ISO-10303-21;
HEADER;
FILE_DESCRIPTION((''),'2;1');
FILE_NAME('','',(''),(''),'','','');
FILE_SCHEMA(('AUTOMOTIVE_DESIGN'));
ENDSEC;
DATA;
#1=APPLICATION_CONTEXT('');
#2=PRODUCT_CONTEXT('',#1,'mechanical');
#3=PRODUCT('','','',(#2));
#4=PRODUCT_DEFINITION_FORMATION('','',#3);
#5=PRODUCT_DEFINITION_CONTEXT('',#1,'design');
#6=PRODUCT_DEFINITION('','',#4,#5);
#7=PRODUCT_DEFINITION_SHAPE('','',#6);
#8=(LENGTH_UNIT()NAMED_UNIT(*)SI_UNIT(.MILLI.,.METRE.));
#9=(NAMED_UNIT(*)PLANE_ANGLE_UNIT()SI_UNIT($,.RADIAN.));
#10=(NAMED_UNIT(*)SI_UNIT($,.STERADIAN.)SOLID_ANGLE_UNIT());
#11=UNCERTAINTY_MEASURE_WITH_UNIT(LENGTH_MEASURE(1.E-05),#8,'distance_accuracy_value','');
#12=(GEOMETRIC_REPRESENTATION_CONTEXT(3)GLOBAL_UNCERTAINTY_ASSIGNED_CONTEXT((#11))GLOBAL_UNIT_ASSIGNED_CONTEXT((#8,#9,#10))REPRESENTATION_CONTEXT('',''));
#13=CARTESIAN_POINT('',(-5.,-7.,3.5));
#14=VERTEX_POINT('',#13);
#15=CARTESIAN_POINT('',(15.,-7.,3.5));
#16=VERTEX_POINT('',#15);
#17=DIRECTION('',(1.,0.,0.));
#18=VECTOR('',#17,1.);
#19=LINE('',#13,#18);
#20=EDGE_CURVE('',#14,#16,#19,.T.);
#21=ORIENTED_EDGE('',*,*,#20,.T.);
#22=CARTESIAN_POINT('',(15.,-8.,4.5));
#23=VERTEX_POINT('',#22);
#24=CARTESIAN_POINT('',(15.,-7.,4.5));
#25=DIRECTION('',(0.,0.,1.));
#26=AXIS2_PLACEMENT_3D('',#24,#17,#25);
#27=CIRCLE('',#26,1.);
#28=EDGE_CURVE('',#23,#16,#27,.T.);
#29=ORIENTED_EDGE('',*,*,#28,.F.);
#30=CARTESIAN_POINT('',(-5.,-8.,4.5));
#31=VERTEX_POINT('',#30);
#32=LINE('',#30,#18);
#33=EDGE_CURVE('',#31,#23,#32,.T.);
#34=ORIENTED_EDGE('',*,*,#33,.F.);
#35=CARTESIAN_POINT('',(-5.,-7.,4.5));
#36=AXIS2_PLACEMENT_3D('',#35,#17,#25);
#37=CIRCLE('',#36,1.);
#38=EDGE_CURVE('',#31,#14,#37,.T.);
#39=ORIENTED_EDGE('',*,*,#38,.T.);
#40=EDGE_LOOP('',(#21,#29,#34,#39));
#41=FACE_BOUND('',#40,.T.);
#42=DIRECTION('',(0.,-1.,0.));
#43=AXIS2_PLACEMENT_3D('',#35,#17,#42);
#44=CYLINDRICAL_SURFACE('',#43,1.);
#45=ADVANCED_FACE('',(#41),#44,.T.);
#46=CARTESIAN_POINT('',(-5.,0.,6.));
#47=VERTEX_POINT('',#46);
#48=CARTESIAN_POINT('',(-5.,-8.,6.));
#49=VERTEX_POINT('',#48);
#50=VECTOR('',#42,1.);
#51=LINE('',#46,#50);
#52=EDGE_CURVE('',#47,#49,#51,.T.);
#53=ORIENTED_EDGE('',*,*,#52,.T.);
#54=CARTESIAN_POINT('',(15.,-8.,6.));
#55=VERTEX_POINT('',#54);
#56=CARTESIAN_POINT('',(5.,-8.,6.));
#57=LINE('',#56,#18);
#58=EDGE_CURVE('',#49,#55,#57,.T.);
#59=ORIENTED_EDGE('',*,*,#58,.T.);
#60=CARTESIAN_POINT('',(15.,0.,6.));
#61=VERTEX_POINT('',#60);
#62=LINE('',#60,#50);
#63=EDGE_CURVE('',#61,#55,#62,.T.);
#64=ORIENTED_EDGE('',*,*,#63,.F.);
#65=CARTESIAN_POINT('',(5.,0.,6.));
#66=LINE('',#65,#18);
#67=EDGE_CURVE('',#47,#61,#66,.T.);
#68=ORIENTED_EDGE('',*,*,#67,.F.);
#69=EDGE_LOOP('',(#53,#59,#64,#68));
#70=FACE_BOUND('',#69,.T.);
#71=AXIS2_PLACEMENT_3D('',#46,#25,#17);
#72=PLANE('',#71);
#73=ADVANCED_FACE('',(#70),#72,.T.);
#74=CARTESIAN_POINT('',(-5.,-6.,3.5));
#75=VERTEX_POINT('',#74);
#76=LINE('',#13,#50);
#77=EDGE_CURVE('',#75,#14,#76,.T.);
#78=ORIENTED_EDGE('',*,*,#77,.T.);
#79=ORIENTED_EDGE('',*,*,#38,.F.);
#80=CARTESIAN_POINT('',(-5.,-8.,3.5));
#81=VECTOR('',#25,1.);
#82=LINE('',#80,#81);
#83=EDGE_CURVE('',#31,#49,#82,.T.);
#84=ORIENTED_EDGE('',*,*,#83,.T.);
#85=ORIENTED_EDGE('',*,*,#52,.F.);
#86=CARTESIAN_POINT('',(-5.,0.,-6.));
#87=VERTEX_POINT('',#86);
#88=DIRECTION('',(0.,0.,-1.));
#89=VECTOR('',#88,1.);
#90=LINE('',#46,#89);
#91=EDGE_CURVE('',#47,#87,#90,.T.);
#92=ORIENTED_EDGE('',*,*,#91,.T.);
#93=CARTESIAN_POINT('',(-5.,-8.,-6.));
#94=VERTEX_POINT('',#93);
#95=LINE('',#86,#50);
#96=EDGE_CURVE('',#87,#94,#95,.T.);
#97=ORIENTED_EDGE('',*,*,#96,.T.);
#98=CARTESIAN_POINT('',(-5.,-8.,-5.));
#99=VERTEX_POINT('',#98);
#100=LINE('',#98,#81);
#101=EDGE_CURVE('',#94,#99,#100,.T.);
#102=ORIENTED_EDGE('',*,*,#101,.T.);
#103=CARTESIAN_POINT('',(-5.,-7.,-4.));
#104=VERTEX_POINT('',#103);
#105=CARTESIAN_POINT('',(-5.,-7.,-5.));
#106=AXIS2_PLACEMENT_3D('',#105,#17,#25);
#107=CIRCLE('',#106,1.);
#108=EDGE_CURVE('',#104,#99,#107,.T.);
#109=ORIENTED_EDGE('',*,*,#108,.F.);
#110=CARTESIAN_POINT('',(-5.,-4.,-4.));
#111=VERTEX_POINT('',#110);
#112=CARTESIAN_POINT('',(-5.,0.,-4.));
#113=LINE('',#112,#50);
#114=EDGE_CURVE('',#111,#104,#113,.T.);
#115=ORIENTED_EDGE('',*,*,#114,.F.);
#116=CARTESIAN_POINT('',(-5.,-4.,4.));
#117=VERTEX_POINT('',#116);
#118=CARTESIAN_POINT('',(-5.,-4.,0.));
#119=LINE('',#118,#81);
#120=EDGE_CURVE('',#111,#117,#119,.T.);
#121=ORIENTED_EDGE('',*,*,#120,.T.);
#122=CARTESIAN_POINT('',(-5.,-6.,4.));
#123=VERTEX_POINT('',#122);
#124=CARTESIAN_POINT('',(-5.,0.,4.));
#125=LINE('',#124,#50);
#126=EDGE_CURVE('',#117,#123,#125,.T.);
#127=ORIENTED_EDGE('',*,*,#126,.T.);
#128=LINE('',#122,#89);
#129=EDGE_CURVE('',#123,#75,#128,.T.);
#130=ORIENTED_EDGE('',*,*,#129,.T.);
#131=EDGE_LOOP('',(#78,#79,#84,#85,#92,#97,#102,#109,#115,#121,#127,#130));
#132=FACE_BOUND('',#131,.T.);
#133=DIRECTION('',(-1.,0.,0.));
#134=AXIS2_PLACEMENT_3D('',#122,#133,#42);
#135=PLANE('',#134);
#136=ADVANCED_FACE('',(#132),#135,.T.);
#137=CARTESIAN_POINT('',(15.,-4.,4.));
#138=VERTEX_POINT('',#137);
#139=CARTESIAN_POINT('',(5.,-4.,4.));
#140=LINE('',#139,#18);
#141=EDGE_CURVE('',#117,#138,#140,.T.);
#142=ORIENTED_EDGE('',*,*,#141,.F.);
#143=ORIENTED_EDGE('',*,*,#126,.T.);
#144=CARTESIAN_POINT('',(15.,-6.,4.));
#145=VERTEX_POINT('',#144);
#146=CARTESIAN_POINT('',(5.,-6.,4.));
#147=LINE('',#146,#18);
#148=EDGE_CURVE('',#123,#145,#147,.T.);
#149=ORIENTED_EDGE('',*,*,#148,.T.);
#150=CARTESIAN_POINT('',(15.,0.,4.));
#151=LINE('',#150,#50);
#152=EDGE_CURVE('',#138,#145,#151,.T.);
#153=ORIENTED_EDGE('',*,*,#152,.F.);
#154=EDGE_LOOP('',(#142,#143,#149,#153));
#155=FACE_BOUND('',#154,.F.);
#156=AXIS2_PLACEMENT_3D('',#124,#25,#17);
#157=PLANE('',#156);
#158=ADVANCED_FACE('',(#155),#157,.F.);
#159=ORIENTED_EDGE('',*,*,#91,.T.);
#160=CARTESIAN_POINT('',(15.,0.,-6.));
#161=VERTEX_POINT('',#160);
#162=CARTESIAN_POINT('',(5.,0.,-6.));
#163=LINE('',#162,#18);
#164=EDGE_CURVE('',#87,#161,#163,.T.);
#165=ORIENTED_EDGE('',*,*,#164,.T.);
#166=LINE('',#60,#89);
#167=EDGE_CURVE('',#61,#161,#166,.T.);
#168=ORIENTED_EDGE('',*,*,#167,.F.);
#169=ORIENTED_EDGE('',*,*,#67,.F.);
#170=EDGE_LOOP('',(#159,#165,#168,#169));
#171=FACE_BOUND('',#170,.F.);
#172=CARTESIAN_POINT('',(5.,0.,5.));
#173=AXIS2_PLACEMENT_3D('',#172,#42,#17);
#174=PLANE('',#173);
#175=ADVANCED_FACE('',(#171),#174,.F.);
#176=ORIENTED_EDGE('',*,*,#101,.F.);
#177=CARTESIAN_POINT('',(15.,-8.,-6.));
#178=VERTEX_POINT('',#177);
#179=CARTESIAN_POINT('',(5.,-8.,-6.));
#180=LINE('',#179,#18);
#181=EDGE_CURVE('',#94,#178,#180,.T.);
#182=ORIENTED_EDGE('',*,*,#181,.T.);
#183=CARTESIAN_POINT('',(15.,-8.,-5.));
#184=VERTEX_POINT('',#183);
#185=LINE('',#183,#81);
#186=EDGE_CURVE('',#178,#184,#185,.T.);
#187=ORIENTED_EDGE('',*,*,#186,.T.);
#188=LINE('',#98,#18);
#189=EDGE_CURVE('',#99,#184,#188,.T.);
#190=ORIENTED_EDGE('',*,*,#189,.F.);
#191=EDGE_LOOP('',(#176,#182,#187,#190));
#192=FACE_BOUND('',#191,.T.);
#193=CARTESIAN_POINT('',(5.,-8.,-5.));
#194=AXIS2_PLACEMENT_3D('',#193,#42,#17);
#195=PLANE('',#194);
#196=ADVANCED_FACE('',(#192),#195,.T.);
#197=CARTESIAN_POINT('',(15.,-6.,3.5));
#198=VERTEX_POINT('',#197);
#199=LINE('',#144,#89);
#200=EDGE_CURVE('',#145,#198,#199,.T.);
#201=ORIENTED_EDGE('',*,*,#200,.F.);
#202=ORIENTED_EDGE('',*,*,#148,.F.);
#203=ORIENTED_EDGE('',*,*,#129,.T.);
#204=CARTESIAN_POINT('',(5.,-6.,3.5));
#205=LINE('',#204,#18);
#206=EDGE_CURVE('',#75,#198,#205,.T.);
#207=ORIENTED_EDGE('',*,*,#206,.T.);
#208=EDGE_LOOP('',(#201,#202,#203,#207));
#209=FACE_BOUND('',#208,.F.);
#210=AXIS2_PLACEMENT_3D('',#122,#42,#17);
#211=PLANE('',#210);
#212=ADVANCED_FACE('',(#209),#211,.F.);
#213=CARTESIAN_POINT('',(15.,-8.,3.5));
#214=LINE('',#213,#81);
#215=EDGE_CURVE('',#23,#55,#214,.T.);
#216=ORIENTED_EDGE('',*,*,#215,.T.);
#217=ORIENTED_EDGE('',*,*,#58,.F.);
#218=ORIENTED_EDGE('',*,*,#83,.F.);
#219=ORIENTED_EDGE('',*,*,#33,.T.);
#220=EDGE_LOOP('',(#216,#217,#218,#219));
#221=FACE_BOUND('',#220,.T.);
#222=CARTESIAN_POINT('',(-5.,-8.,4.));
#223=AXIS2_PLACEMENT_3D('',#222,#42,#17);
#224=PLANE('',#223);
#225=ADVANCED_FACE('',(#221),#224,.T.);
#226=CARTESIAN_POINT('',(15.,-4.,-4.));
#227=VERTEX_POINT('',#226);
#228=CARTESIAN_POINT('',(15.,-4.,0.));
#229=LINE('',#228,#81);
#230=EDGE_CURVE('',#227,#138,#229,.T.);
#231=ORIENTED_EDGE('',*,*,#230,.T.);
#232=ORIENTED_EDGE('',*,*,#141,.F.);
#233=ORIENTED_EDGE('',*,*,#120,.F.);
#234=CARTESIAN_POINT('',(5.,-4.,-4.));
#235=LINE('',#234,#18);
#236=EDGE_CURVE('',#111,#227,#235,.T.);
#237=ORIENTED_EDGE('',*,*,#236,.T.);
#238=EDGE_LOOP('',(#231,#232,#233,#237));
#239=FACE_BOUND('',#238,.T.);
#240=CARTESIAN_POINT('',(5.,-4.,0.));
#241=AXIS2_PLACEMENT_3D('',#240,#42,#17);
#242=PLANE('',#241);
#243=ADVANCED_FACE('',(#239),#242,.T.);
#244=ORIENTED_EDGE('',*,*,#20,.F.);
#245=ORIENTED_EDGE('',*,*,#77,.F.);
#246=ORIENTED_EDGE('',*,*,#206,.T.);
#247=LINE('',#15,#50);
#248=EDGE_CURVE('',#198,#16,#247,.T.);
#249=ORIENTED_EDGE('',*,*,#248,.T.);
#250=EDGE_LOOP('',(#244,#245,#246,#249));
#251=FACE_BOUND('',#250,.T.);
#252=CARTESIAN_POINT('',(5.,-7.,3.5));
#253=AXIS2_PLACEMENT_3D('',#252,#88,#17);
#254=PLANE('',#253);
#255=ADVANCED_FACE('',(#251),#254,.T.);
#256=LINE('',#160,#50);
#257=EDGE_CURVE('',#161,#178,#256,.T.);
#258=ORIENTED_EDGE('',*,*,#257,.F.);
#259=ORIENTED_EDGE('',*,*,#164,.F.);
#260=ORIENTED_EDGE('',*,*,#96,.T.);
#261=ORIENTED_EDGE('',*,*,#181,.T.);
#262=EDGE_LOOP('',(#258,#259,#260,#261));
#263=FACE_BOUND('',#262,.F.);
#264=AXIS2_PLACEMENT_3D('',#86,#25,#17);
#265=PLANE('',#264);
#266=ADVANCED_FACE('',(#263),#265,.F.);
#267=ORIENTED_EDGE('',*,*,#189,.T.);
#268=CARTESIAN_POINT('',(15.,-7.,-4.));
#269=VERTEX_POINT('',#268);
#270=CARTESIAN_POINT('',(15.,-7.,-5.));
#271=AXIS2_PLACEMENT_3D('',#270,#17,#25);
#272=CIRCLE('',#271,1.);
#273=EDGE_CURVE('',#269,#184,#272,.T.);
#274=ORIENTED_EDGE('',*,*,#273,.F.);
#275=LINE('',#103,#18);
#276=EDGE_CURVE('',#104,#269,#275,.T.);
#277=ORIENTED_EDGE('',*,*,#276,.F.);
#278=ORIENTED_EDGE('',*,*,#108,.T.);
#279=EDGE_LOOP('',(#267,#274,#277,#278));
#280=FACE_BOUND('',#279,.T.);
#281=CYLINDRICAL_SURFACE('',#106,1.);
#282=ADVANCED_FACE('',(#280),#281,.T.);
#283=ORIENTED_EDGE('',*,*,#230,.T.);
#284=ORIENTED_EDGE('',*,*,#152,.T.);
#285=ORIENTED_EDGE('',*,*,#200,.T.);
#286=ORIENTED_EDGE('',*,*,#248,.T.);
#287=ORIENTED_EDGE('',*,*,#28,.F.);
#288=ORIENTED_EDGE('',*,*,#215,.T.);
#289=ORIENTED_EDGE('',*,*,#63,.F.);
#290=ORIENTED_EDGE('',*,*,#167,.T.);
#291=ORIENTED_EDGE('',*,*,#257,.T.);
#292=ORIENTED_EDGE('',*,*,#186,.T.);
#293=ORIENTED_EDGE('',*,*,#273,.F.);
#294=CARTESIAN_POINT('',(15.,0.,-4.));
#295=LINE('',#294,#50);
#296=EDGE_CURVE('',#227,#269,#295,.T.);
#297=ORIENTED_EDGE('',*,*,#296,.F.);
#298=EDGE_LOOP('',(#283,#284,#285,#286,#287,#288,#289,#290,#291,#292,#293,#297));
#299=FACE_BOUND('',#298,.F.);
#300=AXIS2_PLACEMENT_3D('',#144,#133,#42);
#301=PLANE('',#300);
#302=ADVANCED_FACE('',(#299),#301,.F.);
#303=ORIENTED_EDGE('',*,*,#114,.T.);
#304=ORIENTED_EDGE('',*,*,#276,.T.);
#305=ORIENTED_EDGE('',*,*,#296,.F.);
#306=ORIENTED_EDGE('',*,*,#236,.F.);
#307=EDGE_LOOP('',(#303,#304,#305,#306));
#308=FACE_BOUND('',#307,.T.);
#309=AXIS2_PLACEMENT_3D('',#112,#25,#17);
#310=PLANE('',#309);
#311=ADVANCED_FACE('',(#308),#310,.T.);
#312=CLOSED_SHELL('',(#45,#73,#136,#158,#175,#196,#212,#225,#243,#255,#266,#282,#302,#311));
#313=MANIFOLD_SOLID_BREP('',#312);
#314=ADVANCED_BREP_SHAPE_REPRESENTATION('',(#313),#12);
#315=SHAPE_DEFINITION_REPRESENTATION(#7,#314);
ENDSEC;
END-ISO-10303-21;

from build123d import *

# Parameters (mm, degrees)
F0_W     = 20
F0_H     = 8
F1_DEPTH = 4
F0_H_2   = 2
F2_DEPTH = 8
F3_W     = 20
F3_H     = 2
F4_DEPTH = 0.5
F5_R     = 1


with BuildPart() as f1:
    # F0 (on Front) → F1 (new body)
    with BuildSketch(Plane.XZ):
        with Locations((5, 0)):
            Rectangle(F0_W, F0_H)
    extrude(amount=F1_DEPTH)

    # F0 (on Front) → F2 (join)
    with BuildSketch(Plane.XZ):
        with Locations((5, 5)):
            Rectangle(F0_W, F0_H_2)
        with Locations((5, -5)):
            Rectangle(F0_W, F0_H_2)
    extrude(amount=F2_DEPTH)

    # F3 (on face) → F4 (join)
    with BuildSketch(Plane(origin=(0, 0, 4), x_dir=(1, 0, 0), z_dir=(0, 0, -1))):
        with Locations((5, 7)):
            Rectangle(F3_W, F3_H)
    extrude(amount=F4_DEPTH)

    # F5
    f5_edges = [f1.edges().sort_by_distance(p)[0] for p in [
        (5, -8, 3.5),
        (5, -8, -4),
    ]]
    fillet(f5_edges, radius=F5_R)


solid = f1.part
